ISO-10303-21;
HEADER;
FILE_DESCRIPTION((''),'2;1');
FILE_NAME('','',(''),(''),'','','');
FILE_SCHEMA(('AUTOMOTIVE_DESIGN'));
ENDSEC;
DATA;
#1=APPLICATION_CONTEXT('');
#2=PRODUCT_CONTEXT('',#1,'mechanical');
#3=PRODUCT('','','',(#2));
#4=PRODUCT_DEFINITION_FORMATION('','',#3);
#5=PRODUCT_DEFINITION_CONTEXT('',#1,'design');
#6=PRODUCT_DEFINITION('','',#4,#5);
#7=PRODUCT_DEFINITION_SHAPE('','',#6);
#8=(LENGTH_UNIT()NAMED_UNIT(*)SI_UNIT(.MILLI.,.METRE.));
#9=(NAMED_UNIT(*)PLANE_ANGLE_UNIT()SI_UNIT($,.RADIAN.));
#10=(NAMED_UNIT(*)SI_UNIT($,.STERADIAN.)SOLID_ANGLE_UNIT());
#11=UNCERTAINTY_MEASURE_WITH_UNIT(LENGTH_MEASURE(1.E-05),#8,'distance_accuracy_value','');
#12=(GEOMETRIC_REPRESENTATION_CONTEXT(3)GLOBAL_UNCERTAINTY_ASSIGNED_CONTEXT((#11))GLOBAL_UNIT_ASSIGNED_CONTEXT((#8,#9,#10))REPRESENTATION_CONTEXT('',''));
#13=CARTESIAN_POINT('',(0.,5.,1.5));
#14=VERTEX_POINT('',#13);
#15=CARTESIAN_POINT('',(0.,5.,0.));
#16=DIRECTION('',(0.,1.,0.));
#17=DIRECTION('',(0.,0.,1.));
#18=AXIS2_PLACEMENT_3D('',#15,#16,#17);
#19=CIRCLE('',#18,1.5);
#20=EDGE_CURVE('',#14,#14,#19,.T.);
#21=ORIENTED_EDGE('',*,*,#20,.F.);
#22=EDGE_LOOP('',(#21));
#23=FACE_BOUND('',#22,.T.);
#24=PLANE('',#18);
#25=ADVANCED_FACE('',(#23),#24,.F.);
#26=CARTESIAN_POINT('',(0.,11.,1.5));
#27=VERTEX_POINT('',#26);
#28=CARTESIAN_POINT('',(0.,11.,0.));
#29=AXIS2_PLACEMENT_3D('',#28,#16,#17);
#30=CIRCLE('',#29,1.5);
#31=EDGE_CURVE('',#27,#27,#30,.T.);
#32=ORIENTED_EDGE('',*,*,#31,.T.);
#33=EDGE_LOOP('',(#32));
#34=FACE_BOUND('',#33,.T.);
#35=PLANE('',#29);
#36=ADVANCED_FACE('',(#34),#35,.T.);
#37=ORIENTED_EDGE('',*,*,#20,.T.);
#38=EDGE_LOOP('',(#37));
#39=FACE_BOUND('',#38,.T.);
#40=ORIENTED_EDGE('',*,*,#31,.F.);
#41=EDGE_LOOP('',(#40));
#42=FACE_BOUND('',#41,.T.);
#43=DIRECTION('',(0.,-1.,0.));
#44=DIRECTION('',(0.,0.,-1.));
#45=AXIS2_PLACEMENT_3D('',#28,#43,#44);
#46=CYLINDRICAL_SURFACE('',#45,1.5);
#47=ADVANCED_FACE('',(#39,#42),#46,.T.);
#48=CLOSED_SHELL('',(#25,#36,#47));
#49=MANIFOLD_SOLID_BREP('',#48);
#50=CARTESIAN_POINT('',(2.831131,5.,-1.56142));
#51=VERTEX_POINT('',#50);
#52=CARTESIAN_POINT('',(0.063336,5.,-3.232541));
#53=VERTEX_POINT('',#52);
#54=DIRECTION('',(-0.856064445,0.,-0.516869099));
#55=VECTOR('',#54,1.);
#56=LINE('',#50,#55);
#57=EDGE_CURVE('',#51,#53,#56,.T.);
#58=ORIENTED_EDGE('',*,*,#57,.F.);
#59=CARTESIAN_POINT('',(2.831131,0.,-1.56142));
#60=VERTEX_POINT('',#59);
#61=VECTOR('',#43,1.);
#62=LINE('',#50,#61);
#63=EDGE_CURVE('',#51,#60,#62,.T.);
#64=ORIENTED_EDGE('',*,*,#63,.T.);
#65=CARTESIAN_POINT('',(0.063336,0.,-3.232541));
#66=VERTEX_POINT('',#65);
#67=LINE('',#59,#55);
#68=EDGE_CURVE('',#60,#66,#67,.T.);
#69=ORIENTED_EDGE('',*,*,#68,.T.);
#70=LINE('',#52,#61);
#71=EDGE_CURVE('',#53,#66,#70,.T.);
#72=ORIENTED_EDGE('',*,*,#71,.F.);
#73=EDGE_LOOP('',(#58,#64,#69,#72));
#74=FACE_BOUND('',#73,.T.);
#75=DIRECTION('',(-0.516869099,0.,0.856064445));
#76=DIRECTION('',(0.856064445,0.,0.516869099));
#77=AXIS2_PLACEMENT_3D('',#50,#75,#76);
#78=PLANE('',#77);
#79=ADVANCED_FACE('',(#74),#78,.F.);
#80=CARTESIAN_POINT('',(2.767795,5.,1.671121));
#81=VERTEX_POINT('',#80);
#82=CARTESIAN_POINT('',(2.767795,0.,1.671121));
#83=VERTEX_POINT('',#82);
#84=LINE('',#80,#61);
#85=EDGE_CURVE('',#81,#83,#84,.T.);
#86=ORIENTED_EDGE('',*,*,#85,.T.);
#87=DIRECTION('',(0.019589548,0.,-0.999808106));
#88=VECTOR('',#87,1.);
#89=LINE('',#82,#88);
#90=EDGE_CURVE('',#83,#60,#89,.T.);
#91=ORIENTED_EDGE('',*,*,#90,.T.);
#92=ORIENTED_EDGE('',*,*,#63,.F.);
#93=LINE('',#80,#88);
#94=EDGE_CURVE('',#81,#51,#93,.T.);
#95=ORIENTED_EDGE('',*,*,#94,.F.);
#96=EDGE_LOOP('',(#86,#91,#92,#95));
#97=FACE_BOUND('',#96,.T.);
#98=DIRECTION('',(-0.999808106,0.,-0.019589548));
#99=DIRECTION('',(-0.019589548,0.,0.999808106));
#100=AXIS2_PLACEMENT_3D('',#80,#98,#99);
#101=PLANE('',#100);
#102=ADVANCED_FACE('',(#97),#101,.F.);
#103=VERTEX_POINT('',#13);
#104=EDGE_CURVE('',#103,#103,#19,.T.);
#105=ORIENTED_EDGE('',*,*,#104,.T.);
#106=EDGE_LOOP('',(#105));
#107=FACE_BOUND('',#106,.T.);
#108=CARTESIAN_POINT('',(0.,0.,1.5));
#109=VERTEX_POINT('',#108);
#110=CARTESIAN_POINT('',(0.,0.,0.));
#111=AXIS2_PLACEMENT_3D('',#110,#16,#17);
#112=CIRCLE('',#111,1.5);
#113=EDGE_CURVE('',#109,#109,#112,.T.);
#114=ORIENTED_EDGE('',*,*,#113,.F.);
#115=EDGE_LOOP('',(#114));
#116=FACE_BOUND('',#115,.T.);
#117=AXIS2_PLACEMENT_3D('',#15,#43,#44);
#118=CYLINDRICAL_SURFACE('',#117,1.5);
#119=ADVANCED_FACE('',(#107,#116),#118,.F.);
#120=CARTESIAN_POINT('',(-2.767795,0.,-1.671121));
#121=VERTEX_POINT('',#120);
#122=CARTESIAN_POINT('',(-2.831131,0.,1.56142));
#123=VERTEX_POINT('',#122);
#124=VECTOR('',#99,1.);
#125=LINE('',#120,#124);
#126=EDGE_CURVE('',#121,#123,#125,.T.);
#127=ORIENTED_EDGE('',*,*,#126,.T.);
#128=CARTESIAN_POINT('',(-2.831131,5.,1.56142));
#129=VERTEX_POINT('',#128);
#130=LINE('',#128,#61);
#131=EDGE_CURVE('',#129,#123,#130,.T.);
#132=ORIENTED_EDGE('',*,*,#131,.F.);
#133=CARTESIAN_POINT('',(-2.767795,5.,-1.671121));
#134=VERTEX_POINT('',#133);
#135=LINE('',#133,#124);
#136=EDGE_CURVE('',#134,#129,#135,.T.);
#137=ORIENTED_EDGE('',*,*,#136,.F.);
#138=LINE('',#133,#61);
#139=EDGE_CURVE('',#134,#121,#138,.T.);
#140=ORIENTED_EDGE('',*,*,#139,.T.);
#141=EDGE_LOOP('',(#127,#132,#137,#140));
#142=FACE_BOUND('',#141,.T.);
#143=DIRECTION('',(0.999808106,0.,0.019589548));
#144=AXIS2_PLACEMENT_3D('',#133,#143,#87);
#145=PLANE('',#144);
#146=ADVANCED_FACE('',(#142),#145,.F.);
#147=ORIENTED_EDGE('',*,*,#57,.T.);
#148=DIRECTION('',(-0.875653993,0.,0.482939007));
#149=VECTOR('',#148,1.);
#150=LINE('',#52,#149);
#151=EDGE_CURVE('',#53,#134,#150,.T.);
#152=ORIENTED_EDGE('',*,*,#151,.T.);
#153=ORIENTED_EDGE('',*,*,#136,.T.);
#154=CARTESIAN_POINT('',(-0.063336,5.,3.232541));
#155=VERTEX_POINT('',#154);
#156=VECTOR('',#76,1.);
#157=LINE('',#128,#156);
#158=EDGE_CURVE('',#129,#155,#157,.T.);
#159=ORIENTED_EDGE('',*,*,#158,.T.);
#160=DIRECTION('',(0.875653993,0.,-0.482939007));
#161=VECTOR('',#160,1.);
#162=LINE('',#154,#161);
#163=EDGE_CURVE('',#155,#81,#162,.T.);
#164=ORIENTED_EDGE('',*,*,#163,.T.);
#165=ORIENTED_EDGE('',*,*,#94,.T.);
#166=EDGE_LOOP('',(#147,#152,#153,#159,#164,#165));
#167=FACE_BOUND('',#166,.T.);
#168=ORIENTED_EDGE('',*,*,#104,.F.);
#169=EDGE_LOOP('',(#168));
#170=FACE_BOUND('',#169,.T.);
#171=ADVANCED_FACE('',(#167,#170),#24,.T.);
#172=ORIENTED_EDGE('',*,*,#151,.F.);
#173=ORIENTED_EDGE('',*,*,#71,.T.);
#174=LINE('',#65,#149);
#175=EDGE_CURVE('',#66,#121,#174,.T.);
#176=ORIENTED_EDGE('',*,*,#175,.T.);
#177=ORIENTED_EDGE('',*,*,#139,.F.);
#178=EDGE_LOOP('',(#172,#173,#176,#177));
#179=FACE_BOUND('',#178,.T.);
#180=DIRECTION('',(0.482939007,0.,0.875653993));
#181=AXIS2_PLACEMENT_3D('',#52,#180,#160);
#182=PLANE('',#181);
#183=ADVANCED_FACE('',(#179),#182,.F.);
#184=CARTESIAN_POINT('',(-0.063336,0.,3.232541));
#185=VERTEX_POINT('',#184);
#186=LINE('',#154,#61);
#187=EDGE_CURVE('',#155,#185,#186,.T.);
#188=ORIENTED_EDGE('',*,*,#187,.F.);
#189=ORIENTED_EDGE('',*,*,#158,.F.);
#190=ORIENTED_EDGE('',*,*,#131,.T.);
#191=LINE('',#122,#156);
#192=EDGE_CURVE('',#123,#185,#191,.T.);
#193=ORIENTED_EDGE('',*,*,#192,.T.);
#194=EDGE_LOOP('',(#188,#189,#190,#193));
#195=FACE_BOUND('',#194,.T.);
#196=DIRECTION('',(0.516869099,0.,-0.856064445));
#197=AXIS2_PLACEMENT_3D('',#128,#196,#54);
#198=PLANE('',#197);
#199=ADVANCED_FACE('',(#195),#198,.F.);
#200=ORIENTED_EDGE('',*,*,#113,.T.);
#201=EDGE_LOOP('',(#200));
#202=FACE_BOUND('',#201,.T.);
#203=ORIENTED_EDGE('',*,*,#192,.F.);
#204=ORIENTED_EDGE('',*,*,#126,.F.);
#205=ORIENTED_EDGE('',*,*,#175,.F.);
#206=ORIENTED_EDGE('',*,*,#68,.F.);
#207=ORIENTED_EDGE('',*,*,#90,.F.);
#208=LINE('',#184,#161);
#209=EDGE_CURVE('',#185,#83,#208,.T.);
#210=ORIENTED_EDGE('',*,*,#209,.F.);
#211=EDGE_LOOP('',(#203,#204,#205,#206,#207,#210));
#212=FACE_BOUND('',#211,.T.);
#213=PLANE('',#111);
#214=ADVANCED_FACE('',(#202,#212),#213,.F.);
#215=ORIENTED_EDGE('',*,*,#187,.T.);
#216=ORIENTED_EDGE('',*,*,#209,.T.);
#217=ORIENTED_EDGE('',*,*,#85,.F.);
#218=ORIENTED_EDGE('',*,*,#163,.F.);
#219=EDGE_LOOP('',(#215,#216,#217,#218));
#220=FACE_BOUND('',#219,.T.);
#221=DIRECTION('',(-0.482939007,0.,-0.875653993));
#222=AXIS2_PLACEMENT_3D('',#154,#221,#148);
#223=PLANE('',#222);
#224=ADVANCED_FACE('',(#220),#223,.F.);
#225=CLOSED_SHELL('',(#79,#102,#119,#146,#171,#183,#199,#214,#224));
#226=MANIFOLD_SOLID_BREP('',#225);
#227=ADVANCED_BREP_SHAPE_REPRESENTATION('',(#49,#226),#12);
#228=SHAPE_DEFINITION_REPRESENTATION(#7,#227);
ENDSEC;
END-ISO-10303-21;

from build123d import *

# Parameters (mm, degrees)
SKETCH1_R           = 1.5
BOSS_EXTRUDE1_DEPTH = 5
SKETCH2_R           = 1.5
BOSS_EXTRUDE2_DEPTH = 6


with BuildPart() as part:
    # Sketch1 → Boss-Extrude1 (new body)
    with BuildSketch(Plane(origin=(0, 0, 0), x_dir=(1, 0, 0), z_dir=(0, 1, 0))):
        Polygon((2.767794612, -1.671121275), (2.831130783, 1.561419809), (0.063336171, 3.232541084), (-2.767794612, 1.671121275), (-2.831130783, -1.561419809), (-0.063336171, -3.232541084), align=None)
        with Locations(Location((0, 0, 0), (0, 0, 270))):
            Circle(SKETCH1_R, mode=Mode.SUBTRACT)
    extrude(amount=BOSS_EXTRUDE1_DEPTH)


with BuildPart() as body_2:
    # Sketch2 → Boss-Extrude2 (new body)
    with BuildSketch(Plane(origin=(0, 5, 0), x_dir=(1, 0, 0), z_dir=(0, 1, 0))):
        with Locations(Location((0, 0, 0), (0, 0, 270))):
            Circle(SKETCH2_R)
    extrude(amount=BOSS_EXTRUDE2_DEPTH)


solid = Compound([part.part, body_2.part])
